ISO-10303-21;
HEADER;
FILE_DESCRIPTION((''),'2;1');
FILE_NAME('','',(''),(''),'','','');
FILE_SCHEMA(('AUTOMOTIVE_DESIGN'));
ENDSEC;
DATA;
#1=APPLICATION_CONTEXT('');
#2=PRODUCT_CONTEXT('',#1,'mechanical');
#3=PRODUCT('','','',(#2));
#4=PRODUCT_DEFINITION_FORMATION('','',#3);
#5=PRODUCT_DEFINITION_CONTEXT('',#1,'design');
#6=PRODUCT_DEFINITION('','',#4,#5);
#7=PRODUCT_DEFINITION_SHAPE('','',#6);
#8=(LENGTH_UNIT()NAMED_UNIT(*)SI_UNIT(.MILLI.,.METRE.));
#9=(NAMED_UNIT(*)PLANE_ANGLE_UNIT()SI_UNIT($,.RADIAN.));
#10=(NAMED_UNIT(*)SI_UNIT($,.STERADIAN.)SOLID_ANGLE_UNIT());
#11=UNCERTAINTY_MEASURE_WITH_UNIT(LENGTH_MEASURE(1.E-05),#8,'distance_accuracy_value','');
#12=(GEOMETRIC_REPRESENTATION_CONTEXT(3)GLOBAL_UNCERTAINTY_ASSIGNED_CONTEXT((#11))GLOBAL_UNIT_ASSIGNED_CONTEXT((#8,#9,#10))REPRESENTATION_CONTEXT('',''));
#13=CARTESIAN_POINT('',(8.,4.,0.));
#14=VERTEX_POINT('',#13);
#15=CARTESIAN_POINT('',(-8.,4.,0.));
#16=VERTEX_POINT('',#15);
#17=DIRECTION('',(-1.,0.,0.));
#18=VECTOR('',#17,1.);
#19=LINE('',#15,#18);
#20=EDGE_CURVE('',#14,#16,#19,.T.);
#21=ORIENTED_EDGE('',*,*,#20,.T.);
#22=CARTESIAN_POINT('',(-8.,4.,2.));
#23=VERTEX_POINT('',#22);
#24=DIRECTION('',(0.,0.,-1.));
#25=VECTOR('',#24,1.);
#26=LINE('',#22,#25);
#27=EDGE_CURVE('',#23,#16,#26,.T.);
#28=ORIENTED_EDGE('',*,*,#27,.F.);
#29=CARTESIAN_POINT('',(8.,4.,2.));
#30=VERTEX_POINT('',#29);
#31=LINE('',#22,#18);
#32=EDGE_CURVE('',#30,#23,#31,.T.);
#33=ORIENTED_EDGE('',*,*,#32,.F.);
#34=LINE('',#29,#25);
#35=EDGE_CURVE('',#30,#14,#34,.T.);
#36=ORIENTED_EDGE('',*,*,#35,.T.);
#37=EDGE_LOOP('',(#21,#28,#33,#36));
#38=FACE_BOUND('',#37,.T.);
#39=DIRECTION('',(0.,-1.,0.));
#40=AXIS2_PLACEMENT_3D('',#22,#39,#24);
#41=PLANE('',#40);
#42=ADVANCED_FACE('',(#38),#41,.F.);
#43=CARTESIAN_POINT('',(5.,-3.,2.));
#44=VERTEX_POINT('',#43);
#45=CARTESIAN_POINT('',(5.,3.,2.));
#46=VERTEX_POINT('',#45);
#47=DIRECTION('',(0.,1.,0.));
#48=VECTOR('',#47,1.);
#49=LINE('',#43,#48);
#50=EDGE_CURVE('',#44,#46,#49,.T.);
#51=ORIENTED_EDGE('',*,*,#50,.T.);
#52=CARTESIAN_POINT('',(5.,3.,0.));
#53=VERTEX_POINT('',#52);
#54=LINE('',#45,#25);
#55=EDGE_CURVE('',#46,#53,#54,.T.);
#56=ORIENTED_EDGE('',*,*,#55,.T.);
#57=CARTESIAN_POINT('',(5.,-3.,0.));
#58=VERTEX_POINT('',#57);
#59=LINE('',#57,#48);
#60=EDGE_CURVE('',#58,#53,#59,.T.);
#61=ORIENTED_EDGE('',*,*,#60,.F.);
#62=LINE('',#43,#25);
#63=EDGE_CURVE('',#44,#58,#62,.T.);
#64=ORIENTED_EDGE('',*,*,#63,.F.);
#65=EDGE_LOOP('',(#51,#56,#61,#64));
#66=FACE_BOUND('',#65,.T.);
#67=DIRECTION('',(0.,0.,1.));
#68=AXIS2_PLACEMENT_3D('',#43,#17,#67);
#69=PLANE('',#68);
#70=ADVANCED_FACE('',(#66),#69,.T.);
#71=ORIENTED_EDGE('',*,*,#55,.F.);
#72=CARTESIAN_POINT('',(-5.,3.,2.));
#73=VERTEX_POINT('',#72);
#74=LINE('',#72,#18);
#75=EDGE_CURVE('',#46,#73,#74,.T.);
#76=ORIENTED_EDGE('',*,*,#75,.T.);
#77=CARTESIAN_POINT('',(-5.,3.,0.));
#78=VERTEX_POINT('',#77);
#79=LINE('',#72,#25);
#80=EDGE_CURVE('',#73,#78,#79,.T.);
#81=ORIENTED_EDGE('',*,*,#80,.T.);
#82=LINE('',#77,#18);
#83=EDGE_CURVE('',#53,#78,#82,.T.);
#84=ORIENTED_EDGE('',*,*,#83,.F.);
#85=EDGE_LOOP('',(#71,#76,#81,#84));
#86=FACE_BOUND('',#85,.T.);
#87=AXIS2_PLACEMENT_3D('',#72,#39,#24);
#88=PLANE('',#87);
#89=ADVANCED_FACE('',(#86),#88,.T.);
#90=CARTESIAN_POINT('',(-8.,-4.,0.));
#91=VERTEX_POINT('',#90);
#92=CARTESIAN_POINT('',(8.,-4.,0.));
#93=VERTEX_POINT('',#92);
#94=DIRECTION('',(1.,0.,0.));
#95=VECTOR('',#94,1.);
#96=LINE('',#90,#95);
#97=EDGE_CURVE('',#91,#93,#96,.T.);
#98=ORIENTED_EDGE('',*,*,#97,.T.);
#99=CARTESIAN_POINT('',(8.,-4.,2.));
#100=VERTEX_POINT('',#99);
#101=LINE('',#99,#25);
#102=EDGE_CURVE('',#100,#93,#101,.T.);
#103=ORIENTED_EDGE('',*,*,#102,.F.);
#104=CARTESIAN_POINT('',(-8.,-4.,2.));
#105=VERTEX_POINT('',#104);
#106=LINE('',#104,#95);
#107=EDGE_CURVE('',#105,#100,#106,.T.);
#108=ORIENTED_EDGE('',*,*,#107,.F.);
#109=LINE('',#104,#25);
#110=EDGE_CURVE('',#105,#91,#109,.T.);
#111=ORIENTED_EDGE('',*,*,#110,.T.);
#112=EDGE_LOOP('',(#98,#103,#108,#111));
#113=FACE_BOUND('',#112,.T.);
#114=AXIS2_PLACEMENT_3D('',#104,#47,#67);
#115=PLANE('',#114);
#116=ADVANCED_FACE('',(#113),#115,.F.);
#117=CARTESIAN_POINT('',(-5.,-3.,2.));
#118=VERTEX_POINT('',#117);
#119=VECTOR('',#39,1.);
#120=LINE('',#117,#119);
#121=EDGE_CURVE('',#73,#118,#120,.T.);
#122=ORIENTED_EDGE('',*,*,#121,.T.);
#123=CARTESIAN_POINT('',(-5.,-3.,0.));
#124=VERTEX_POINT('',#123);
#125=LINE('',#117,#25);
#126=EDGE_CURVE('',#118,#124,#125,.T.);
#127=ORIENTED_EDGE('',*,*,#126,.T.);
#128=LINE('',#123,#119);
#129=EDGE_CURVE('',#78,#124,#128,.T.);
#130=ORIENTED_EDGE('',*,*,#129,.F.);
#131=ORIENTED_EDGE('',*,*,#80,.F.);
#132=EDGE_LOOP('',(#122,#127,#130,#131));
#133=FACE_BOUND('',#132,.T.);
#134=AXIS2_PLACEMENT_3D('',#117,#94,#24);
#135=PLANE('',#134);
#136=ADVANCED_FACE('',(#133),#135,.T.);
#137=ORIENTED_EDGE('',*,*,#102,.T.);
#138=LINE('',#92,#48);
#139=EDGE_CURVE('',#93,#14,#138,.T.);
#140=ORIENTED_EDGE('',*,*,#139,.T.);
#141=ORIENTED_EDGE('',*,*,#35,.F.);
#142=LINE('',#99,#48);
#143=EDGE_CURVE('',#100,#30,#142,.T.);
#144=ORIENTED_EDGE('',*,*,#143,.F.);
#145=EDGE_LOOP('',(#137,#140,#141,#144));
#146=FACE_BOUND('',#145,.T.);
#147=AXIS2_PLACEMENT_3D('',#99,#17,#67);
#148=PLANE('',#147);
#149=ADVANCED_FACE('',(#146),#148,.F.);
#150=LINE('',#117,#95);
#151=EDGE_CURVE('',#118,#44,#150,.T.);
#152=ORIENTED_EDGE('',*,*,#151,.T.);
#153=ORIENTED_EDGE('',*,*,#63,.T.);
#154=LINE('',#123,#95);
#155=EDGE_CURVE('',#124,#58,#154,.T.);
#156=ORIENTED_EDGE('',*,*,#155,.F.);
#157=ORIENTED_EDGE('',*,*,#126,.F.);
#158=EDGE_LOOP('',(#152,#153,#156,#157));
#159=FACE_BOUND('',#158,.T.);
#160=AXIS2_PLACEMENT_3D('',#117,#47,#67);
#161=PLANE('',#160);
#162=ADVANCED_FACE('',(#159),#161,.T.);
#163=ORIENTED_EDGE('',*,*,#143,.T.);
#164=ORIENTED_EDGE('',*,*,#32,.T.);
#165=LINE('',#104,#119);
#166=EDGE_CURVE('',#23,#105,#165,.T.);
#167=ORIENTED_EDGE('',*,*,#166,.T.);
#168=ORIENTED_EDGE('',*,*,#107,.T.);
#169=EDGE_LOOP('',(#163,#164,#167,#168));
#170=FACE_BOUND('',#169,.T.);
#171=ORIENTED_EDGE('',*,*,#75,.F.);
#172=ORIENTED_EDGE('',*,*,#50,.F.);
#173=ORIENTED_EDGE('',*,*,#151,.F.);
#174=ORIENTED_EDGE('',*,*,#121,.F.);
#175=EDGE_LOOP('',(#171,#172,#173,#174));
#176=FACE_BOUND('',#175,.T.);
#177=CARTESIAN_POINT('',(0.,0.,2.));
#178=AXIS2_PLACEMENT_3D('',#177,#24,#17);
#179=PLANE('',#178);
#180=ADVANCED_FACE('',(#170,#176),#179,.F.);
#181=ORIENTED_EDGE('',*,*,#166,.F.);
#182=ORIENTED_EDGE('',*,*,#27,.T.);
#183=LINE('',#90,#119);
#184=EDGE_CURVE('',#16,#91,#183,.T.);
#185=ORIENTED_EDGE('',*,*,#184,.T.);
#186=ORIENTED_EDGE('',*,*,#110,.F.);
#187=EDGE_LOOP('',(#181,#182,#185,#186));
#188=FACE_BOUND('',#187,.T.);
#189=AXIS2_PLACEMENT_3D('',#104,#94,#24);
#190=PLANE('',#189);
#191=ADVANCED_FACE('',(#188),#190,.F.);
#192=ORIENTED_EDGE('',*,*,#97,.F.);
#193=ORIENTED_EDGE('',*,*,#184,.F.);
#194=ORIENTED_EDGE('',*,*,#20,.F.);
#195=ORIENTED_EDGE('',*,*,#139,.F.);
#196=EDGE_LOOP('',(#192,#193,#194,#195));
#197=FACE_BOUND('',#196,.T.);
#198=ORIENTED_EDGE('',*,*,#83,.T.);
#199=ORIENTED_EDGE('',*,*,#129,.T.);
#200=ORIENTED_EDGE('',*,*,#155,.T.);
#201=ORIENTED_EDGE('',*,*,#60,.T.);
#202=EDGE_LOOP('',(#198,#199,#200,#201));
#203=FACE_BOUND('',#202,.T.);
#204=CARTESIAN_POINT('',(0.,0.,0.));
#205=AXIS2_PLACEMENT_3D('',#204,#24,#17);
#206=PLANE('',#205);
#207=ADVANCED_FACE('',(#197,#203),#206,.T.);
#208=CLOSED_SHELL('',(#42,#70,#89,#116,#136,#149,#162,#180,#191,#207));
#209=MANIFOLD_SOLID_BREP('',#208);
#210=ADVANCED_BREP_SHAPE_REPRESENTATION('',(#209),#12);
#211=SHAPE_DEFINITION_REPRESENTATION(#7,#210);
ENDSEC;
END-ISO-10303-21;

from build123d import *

# Parameters (mm, degrees)
SKETCH_1_W      = 16
SKETCH_1_H      = 8
SKETCH_1_W_2    = 10
SKETCH_1_H_2    = 6
EXTRUDE_1_DEPTH = 2


with BuildPart() as part:
    # 스케치1 → 보스-돌출1 (new body)
    with BuildSketch(Plane.XY):
        Rectangle(SKETCH_1_W, SKETCH_1_H)
        Rectangle(SKETCH_1_W_2, SKETCH_1_H_2, mode=Mode.SUBTRACT)
    extrude(amount=EXTRUDE_1_DEPTH)


solid = part.part
